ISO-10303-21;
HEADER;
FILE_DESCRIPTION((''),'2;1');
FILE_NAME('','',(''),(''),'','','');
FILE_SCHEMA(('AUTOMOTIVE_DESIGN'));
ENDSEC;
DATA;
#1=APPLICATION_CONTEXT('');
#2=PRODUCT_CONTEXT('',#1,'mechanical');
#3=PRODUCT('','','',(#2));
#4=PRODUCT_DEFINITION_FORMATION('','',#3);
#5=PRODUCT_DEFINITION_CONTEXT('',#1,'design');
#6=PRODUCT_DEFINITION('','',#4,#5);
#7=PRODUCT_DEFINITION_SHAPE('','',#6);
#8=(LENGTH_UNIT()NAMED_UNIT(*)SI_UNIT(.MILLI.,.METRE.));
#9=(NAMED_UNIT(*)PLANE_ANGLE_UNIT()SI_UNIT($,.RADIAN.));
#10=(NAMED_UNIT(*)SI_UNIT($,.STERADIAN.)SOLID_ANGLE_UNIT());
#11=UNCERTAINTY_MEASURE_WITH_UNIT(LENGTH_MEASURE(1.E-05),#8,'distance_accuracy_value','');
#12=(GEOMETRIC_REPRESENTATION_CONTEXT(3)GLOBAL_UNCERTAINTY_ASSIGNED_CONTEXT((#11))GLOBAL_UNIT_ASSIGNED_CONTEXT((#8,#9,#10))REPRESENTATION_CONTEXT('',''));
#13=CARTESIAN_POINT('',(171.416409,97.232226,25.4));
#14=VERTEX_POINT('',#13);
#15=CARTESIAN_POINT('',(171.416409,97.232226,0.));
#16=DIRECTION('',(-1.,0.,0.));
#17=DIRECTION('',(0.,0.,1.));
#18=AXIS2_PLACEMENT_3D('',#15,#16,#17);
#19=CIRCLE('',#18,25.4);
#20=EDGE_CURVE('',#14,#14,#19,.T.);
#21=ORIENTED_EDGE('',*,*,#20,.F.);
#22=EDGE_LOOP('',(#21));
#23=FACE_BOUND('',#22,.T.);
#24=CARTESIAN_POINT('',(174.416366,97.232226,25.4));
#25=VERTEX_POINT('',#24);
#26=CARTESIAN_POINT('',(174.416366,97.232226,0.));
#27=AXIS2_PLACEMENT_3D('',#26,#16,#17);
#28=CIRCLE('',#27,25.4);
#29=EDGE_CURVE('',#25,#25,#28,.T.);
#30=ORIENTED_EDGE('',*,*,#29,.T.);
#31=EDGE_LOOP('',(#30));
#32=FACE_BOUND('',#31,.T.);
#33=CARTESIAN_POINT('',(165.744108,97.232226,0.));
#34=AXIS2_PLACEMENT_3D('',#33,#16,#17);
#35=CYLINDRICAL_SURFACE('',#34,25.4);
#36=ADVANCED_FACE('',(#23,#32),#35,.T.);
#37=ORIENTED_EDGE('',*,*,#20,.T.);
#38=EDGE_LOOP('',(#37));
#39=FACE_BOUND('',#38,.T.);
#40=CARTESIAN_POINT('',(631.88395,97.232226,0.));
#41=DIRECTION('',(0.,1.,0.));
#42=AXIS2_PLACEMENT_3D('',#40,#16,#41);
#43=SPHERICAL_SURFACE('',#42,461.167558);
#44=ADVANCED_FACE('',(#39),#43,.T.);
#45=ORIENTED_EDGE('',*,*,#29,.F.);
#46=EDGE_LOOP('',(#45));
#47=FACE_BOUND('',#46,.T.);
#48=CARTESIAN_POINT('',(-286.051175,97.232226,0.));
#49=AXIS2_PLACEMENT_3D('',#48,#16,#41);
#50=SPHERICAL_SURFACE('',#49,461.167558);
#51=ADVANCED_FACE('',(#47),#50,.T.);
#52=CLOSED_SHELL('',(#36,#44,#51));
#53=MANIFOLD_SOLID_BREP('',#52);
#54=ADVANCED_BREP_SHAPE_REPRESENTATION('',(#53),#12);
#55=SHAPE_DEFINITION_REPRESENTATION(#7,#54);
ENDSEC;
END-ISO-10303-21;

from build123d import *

# Parameters (mm, degrees)
SKETCH_1_ONE_SIDE_W = 2.999957714
SKETCH_1_ONE_SIDE_H = 25.4


with BuildPart() as part:
    # 草图1 one side → 旋转1 (revolve)
    with BuildSketch(Plane.XY):
        with Locations((172.916387549, 109.932226046)):
            Rectangle(SKETCH_1_ONE_SIDE_W, SKETCH_1_ONE_SIDE_H)
        with BuildLine():
            Line((170.716391949, 97.232226046), (171.416408692, 97.232226046))
            Line((171.416408692, 97.232226046), (171.416408692, 122.632226046))
            ThreePointArc((171.416408692, 122.632226046), (170.891429353, 109.937048196), (170.716391949, 97.232226046))
        make_face()
        with BuildLine():
            Line((174.416366406, 97.232226046), (175.116383149, 97.232226046))
            ThreePointArc((175.116383149, 97.232226046), (174.941345746, 109.937048196), (174.416366406, 122.632226046))
            Line((174.416366406, 122.632226046), (174.416366406, 97.232226046))
        make_face()
    revolve(axis=Axis((165.744107942, 97.232226046, 0), (1, 0, 0)))


solid = part.part
